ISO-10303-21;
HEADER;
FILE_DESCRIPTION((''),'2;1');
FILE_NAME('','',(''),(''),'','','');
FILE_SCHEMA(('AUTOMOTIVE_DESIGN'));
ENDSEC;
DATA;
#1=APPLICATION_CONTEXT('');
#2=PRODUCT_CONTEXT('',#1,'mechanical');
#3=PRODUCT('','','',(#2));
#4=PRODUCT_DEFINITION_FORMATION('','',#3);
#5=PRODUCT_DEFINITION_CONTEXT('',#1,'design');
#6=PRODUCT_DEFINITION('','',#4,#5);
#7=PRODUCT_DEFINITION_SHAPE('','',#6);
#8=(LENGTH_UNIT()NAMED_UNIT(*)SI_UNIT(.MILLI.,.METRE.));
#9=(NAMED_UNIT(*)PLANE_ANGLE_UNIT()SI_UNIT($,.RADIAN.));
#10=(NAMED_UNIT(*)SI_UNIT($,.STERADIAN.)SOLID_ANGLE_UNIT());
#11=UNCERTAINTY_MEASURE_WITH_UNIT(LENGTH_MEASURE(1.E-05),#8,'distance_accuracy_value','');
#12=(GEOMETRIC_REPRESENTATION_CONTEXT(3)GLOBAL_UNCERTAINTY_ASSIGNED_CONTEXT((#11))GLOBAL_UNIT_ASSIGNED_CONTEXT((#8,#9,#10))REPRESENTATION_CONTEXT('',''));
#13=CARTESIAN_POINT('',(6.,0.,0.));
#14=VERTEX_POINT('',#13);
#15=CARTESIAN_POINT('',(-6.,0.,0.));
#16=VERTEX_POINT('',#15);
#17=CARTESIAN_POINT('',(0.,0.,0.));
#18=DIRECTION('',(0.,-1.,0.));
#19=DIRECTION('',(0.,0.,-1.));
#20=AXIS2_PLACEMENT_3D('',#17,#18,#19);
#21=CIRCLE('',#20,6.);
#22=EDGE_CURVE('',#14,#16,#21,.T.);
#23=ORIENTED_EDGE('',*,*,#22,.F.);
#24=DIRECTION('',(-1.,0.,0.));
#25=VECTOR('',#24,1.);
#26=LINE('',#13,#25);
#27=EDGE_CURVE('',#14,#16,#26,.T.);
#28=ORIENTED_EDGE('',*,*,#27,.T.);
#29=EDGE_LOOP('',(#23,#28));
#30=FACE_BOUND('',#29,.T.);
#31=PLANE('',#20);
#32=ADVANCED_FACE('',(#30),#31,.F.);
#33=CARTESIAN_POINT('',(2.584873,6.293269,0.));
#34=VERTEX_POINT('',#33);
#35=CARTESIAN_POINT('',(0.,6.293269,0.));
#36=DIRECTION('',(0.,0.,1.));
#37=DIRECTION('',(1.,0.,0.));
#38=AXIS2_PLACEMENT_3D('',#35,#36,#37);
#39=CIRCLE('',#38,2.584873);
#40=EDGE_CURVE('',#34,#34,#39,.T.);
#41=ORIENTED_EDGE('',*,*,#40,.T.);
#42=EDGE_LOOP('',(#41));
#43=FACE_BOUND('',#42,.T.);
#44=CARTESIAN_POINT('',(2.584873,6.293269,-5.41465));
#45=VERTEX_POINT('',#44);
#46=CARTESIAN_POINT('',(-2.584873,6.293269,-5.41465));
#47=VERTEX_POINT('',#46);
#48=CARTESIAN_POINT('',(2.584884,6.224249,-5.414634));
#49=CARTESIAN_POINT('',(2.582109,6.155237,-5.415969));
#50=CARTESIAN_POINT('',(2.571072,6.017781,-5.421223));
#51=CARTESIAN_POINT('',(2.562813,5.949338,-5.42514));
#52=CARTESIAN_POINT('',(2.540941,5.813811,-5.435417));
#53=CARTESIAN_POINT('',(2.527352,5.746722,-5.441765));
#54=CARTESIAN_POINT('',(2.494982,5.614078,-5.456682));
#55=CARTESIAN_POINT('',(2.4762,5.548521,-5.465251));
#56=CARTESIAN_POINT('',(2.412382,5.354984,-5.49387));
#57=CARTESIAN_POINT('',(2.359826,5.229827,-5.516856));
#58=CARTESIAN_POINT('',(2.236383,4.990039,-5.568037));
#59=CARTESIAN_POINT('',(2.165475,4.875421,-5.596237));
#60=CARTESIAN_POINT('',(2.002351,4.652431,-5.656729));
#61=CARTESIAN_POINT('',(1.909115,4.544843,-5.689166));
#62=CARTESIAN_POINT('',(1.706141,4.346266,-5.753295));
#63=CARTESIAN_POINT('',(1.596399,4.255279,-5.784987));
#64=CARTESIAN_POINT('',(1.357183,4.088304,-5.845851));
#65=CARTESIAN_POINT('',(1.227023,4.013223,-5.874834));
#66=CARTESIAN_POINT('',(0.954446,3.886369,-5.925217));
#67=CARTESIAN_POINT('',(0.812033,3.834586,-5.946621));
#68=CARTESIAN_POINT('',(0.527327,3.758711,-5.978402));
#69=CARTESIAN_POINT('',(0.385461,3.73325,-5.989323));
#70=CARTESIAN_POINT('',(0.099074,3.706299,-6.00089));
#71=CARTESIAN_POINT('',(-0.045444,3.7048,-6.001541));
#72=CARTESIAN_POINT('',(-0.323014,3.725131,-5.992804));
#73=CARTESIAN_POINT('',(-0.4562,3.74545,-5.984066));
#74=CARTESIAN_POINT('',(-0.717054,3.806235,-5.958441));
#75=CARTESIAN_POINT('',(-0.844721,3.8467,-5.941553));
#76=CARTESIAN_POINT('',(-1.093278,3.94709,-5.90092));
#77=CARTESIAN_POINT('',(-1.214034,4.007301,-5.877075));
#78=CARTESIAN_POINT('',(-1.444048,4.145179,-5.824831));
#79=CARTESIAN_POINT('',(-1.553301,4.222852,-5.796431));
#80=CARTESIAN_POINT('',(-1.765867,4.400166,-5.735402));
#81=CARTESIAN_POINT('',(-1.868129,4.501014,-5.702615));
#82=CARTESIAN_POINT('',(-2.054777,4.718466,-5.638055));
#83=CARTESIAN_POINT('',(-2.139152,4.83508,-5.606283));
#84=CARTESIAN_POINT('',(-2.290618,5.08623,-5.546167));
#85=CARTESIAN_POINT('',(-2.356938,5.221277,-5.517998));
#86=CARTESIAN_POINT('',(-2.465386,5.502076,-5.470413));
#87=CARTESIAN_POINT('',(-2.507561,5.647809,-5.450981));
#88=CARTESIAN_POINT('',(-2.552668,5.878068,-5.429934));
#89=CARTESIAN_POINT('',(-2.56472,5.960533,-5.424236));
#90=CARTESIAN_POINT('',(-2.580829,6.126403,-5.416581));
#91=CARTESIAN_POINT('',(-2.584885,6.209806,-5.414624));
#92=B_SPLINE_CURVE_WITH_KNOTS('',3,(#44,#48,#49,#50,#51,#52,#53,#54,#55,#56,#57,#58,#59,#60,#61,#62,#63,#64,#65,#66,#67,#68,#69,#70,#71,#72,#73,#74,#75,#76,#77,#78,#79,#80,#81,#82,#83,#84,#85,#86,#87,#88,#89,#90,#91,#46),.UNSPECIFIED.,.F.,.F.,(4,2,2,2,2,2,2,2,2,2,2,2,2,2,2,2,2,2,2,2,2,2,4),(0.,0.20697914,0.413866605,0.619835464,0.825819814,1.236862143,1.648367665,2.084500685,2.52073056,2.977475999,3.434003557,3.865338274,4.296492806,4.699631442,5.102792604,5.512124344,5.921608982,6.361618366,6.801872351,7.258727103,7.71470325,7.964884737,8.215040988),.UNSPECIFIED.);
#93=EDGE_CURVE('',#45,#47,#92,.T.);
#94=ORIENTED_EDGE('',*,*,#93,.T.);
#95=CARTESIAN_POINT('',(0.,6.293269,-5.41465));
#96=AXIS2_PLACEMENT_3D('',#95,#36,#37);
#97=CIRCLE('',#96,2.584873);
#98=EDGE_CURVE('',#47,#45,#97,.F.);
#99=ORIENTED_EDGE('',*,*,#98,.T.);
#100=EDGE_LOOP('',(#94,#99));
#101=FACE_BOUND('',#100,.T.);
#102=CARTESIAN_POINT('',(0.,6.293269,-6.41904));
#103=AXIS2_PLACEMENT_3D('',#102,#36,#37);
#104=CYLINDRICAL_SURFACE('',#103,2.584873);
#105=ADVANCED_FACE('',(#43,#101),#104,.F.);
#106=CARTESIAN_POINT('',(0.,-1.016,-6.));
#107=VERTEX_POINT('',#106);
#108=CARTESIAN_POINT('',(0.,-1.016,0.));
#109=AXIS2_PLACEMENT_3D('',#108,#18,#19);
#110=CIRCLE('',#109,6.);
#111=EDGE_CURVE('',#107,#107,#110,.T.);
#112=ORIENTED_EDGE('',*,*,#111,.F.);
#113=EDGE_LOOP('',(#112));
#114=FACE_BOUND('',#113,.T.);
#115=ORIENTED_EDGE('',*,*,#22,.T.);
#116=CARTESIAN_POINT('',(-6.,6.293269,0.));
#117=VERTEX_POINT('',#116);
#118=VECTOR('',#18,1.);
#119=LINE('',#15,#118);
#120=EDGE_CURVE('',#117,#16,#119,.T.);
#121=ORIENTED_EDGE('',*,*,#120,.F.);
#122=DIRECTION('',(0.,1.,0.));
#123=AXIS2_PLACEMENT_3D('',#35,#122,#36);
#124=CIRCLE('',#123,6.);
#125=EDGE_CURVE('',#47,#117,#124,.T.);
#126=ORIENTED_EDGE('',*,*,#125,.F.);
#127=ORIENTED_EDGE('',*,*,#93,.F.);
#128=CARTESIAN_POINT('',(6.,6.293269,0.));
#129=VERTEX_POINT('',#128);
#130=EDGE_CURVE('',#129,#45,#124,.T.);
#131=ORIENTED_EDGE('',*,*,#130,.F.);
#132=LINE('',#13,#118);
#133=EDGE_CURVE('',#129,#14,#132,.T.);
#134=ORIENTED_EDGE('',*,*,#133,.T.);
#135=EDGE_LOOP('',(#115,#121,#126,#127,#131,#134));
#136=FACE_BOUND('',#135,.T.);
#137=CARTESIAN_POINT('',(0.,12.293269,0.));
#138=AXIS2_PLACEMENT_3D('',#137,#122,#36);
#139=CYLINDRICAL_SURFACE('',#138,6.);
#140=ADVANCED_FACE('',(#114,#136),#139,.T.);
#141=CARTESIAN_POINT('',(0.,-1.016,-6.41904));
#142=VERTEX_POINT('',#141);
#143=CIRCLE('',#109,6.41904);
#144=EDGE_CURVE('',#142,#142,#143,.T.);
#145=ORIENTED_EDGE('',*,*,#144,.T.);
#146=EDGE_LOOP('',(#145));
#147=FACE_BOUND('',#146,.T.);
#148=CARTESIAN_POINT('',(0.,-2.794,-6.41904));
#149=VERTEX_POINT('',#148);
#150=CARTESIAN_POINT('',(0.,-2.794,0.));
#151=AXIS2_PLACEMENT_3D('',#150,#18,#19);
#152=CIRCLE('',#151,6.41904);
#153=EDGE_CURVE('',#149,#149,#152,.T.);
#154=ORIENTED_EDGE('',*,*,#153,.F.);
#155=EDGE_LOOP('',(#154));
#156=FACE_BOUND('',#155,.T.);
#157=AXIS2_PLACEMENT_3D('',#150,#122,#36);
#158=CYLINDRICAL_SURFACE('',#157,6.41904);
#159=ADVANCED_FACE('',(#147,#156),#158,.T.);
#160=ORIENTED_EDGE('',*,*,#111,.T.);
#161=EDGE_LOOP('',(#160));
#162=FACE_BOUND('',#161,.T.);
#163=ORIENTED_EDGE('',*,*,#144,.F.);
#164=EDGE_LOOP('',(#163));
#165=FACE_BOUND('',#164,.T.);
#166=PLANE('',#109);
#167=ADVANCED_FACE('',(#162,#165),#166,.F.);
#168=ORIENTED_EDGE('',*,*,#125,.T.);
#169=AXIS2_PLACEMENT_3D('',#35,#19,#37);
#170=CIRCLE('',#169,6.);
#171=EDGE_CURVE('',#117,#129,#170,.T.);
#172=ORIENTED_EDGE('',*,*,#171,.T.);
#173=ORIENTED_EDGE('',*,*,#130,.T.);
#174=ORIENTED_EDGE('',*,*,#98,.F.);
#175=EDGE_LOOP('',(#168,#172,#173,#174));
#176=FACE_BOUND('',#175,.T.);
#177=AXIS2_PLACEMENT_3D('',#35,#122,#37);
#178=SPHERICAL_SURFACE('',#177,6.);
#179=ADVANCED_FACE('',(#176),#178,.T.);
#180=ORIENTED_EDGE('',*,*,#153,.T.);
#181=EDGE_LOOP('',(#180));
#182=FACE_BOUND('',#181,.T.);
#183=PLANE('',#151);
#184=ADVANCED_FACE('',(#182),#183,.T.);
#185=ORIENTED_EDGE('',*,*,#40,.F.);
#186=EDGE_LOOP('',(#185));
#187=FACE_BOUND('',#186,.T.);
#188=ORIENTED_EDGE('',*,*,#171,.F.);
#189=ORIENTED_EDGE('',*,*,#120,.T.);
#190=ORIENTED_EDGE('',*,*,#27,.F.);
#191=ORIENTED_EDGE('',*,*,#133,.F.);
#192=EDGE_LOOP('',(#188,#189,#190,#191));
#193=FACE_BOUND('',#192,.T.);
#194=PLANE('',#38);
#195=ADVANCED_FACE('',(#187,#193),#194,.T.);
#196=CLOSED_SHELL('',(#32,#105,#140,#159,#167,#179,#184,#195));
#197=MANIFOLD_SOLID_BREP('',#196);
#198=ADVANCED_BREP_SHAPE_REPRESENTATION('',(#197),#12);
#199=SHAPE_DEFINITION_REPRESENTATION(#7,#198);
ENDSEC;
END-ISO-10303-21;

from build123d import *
from build123d.topology import SkipClean

# Parameters (mm, degrees)
REVOLVE1_ANGLE = 180
SKETCH2_R      = 6
EXTRUDE1_DEPTH = 1.016
SKETCH3_R      = 6.419039945
EXTRUDE2_DEPTH = 1.778
SKETCH4_R      = 2.584873193
EXTRUDE3_DEPTH = 16.281774039


with BuildPart() as part:
    # Sketch1 → Revolve1 (revolve)
    with BuildSketch(Plane.XY):
        with BuildLine():
            Line((-6, 0), (-6, 6.293269303))
            ThreePointArc((-6, 6.293269303), (-4.242640687, 10.535909991), (0, 12.293269303))
            Line((0, 12.293269303), (0, 0))
            Line((0, 0), (-6, 0))
        make_face()
    revolve(axis=Axis((0, 12.293269303, 0), (0, -1, 0)), revolution_arc=REVOLVE1_ANGLE)

    # Sketch2 → Extrude1 (add)
    with BuildSketch(Plane.XZ):
        Circle(SKETCH2_R)
    extrude(amount=EXTRUDE1_DEPTH)

    # Sketch3 → Extrude2 (add)
    with BuildSketch(Plane.XZ.offset(1.016)):
        with Locations(Location((0, 0, 0), (0, 0, 270))):
            Circle(SKETCH3_R)
    extrude(amount=EXTRUDE2_DEPTH)

    # Sketch4 → Extrude3 (cut, through all)
    with SkipClean():  # the faces are left unmerged after this step: merging them gives an invalid solid
        with BuildSketch(Plane.XY):
            with Locations((0, 6.293269303)):
                Circle(SKETCH4_R)
        extrude(amount=-EXTRUDE3_DEPTH, mode=Mode.SUBTRACT)


solid = part.part
